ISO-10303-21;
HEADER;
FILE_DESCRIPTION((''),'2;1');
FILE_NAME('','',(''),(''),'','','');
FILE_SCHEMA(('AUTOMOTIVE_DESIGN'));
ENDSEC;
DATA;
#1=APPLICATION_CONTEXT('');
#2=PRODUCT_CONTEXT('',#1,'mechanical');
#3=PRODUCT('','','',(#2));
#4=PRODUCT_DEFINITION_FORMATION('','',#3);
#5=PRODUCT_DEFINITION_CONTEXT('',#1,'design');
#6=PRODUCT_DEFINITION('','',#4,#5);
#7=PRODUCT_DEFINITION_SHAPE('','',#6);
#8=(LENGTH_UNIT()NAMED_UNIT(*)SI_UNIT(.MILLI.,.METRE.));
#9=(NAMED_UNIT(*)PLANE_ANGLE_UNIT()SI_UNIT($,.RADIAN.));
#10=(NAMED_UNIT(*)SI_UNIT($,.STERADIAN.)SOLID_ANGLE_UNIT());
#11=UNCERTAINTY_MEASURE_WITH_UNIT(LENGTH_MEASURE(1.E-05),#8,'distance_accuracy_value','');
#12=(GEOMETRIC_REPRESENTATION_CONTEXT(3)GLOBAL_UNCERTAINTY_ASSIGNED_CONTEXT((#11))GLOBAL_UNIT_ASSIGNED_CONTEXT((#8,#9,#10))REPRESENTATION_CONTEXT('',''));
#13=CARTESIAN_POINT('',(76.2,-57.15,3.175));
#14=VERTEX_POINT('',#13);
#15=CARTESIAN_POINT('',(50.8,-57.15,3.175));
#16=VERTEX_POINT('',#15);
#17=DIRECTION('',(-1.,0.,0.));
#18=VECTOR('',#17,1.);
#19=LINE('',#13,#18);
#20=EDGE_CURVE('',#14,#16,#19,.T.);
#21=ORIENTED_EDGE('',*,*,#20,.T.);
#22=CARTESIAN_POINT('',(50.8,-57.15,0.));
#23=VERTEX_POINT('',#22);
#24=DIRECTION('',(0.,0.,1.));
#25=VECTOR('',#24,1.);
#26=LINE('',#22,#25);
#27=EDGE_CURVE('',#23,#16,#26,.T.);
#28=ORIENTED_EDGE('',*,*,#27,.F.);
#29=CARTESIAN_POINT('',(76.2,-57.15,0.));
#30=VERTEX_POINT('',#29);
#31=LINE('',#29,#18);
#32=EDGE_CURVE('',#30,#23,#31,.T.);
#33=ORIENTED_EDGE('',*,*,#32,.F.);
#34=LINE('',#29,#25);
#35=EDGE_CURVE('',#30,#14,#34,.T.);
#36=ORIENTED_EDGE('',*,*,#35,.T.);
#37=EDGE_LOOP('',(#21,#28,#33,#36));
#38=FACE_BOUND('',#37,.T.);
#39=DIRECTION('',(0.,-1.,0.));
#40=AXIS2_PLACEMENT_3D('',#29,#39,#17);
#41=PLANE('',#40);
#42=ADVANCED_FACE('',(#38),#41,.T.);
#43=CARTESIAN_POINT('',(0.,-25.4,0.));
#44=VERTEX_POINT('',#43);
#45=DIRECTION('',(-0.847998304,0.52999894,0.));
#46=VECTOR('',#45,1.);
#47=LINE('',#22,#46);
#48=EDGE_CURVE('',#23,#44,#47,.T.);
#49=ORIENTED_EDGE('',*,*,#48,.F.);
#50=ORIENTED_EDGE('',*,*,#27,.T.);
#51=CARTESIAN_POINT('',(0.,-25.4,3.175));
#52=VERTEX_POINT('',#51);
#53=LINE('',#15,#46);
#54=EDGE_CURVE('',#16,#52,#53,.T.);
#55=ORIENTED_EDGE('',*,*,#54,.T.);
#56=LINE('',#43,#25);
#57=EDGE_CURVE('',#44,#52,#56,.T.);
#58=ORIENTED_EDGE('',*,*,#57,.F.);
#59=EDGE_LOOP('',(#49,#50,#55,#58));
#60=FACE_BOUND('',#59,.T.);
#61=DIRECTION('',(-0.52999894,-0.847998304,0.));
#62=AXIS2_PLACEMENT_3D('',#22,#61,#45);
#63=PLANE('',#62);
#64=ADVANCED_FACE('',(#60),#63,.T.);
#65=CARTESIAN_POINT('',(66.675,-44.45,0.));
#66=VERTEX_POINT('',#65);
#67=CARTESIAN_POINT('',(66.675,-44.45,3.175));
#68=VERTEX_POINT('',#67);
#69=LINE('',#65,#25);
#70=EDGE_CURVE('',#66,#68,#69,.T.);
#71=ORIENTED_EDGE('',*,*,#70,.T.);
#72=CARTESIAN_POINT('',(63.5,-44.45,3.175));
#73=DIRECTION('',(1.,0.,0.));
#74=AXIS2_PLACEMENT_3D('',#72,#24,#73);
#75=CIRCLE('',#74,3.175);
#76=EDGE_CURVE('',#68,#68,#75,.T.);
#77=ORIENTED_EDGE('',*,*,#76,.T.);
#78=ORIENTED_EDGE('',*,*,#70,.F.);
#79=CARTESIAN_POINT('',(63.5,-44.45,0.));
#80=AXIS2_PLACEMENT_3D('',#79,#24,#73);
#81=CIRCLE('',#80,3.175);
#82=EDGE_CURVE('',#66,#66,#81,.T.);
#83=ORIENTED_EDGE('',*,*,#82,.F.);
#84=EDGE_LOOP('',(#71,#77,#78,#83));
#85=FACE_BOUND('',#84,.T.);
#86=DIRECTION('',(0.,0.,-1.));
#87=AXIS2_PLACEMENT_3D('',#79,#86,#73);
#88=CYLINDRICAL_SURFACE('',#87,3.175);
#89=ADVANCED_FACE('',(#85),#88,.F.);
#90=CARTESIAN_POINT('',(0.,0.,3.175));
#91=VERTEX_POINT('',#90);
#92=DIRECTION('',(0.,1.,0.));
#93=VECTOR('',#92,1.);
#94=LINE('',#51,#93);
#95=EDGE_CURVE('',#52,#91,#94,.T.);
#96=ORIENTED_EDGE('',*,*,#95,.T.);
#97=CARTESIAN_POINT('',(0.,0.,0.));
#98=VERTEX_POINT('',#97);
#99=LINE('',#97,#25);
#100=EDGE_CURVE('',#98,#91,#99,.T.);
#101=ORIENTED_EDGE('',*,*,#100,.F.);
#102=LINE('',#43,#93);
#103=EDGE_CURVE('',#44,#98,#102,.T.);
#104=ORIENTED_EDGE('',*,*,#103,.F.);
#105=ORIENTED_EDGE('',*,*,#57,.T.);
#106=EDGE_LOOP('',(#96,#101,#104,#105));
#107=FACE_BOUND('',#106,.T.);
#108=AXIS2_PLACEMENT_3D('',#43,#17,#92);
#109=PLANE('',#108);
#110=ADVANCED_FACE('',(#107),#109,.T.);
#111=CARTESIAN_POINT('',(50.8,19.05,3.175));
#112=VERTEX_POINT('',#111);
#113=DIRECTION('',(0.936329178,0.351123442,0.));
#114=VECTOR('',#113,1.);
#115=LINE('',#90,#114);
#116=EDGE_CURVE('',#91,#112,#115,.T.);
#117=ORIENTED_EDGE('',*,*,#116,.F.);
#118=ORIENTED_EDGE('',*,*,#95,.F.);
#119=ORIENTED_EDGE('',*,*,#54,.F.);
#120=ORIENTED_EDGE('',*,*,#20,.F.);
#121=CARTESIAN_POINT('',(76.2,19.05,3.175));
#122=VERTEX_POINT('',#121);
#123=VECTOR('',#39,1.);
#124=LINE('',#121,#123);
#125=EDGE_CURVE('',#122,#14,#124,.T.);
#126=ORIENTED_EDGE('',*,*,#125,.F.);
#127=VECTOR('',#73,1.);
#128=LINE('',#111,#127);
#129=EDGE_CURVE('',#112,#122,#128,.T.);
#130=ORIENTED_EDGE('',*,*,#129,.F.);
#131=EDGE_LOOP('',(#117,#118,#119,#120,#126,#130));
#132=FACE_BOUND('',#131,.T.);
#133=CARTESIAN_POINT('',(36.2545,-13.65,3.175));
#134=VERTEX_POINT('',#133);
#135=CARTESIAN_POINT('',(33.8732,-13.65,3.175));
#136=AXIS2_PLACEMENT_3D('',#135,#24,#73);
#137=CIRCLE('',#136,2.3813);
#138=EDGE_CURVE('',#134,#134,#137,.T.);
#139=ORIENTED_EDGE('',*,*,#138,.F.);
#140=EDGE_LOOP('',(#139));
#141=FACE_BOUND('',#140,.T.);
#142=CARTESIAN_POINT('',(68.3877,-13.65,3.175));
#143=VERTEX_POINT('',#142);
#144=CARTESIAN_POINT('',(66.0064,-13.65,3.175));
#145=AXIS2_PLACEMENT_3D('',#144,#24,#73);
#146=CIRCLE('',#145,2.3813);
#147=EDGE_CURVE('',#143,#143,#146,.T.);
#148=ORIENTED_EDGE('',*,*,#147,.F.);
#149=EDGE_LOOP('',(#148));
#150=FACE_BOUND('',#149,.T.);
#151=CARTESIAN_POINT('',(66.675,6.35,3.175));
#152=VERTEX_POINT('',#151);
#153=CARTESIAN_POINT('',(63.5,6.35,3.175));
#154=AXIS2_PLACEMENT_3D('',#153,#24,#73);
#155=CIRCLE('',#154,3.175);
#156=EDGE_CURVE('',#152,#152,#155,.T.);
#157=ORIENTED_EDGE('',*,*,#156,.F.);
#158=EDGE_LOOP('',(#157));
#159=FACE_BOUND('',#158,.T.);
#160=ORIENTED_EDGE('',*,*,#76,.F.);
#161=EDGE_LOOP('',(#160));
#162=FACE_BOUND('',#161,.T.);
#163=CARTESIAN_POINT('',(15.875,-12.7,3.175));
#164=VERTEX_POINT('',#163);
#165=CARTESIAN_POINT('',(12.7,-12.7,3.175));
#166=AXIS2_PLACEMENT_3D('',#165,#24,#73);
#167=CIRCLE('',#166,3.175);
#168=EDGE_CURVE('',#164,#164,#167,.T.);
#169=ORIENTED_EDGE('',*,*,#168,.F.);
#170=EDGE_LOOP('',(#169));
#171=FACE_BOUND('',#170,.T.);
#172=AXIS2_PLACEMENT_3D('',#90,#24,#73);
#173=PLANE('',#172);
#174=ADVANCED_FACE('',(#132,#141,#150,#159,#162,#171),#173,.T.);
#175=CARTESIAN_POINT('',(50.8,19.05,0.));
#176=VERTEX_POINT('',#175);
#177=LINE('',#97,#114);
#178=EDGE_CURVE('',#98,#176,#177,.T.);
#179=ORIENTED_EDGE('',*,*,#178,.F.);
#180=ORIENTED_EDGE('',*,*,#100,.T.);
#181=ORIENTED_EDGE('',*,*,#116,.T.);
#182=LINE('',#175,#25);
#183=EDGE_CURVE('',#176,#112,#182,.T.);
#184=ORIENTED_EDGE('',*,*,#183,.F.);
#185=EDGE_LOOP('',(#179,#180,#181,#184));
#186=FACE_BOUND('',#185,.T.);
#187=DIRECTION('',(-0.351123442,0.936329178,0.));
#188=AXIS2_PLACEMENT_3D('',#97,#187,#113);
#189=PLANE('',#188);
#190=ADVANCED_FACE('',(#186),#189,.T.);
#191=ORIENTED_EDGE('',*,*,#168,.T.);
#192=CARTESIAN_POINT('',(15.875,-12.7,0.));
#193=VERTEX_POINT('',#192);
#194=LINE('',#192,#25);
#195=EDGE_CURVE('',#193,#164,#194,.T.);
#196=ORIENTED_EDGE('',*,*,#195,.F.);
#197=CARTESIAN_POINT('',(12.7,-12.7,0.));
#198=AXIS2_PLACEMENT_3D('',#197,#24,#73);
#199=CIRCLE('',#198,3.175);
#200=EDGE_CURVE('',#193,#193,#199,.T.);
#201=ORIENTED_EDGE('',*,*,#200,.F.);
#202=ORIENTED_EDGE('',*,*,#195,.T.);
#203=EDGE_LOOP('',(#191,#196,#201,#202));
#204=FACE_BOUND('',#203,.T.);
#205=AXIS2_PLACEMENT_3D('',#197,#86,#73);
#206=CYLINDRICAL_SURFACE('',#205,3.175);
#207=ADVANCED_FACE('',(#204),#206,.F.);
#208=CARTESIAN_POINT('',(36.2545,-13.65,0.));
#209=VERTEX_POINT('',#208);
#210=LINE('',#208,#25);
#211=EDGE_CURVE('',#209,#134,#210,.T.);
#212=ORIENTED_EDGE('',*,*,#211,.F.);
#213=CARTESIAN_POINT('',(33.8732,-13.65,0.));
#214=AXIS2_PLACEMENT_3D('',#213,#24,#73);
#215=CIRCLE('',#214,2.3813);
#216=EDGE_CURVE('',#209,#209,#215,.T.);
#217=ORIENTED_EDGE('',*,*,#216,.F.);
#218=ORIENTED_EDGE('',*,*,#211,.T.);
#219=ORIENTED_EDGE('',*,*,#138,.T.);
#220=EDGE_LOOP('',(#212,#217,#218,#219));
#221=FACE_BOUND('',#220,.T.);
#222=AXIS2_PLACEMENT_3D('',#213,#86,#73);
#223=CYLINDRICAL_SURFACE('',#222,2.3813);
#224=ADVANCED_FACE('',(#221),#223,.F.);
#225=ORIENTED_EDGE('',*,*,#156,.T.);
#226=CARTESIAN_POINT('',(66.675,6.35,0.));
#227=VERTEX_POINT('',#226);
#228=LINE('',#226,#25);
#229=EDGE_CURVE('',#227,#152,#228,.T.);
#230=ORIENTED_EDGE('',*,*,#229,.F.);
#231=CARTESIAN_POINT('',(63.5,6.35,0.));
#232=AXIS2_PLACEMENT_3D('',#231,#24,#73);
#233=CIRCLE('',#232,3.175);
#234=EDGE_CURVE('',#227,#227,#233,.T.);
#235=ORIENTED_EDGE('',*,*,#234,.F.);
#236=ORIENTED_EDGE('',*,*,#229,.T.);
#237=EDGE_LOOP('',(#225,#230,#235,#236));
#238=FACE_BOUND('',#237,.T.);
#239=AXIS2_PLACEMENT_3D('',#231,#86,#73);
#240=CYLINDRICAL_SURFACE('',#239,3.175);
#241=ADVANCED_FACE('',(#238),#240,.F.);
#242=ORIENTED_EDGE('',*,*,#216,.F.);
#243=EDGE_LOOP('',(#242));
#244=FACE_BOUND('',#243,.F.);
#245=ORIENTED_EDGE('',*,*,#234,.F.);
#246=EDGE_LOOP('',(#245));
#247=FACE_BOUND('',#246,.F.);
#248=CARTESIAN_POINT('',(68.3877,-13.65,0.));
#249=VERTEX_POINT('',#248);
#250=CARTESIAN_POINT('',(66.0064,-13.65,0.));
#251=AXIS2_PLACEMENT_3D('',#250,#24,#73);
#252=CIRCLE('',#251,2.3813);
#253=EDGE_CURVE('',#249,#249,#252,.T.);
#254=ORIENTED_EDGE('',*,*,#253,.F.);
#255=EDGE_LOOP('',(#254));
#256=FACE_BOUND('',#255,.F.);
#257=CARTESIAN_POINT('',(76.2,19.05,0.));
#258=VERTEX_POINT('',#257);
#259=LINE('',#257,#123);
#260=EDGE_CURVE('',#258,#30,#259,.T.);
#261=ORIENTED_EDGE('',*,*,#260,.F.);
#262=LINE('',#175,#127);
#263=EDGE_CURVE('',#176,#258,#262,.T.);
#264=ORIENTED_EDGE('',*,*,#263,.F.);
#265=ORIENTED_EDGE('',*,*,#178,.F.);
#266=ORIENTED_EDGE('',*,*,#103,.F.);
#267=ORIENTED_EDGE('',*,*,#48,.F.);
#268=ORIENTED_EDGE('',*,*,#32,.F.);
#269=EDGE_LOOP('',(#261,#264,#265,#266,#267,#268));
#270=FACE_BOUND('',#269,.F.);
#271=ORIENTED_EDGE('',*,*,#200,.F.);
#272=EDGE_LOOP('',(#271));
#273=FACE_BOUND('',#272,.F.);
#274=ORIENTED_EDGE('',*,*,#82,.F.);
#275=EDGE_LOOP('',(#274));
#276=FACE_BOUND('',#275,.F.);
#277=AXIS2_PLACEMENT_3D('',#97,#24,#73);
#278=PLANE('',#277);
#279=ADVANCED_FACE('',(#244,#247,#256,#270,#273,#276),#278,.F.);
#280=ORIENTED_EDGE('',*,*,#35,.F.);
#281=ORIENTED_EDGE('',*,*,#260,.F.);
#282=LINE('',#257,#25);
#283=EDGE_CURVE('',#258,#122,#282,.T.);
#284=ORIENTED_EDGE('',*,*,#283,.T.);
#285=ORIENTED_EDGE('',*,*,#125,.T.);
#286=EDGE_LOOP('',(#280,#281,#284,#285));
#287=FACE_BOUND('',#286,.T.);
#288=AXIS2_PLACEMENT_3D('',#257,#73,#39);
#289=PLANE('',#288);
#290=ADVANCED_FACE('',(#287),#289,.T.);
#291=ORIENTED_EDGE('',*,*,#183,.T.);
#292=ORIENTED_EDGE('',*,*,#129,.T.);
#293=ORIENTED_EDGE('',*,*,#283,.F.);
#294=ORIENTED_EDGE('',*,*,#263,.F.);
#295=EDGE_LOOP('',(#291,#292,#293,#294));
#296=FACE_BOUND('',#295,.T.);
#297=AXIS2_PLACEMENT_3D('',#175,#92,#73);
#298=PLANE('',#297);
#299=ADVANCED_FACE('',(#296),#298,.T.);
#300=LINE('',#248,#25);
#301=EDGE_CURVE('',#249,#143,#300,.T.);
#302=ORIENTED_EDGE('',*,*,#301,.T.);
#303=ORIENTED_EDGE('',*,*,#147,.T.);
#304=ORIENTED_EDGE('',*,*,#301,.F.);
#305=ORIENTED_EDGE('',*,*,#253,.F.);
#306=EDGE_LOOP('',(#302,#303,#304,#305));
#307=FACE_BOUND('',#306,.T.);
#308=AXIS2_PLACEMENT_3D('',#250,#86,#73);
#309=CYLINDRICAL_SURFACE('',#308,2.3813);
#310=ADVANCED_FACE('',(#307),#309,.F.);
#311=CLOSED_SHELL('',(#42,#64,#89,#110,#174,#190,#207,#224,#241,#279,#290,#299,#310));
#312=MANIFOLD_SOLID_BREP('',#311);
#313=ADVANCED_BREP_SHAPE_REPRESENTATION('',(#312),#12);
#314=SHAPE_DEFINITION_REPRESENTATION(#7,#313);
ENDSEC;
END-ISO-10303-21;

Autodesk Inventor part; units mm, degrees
ref_plane "YZ Plane" through (0, 0, 0) normal (1, 0, 0) x (0, 1, 0)
ref_plane "XZ Plane" through (0, 0, 0) normal (0, 1, 0) x (-1, 0, 0)
ref_plane "XY Plane" through (0, 0, 0) normal (0, 0, 1) x (1, 0, 0)
sketch "Sketch1" plane through (0, 0, 0) normal (0, 0, 1) x (1, 0, 0)
  line L0 (0, 0) -> (50.8, 19.05)
  line L1 (50.8, 19.05) -> (76.2, 19.05)
  line L2 (76.2, 19.05) -> (76.2, -57.15)
  line L3 (76.2, -57.15) -> (50.8, -57.15)
  line L4 (50.8, -57.15) -> (0, -25.4)
  line L5 (0, -25.4) -> (0, 0)
  line L6 (76.2, -6.35) -> (26.8732, -6.35) construction
  line L7 (26.8732, -6.35) -> (26.8732, -41.7576) construction
  line L8 (26.8732, -41.7576) -> (76.2, -41.7576) construction
  line L9 (76.2, -41.7576) -> (76.2, -6.35) construction
  circle A0 centre (33.8732, -13.65) radius 2.3813
  circle A1 centre (66.0064, -13.65) radius 2.3813
  line L10 (0, 0) -> (76.2, 0) construction
  circle A2 centre (12.7, -12.7) radius 3.175
  circle A3 centre (63.5, -44.45) radius 3.175
  circle A4 centre (63.5, 6.35) radius 3.175
  dimension "d0" = 25.4
  dimension "d1" = 76.2
  dimension "d2" = 19.05
  dimension "d3" = 76.2
  dimension "d4" = 25.4
  dimension "d5" = 25.4
  dimension "d6" = 49.3268
  dimension "d7" = 35.4076
  dimension "d8" = 25.4
  dimension "d10" = 7.3
  dimension "d11" = 7.3
  dimension "d15" = 10.1936
  dimension "d16" = 7
  dimension "d18" = 6.35
  dimension "d19" = 12.7
  dimension "d20" = 12.7
  dimension "d21" = 6.35
  dimension "d22" = 6.35
  dimension "d23" = 12.7
  dimension "d24" = 12.7
  dimension "d25" = 12.7
  dimension "d26" = 12.7
  dimension "d29" = 4.7625
extrude "Extrusion1" add sketch "Sketch1" along normal blind 3.175
properties part number "15102898-16-P-0309_CPY1" material "Aluminum 6061"
